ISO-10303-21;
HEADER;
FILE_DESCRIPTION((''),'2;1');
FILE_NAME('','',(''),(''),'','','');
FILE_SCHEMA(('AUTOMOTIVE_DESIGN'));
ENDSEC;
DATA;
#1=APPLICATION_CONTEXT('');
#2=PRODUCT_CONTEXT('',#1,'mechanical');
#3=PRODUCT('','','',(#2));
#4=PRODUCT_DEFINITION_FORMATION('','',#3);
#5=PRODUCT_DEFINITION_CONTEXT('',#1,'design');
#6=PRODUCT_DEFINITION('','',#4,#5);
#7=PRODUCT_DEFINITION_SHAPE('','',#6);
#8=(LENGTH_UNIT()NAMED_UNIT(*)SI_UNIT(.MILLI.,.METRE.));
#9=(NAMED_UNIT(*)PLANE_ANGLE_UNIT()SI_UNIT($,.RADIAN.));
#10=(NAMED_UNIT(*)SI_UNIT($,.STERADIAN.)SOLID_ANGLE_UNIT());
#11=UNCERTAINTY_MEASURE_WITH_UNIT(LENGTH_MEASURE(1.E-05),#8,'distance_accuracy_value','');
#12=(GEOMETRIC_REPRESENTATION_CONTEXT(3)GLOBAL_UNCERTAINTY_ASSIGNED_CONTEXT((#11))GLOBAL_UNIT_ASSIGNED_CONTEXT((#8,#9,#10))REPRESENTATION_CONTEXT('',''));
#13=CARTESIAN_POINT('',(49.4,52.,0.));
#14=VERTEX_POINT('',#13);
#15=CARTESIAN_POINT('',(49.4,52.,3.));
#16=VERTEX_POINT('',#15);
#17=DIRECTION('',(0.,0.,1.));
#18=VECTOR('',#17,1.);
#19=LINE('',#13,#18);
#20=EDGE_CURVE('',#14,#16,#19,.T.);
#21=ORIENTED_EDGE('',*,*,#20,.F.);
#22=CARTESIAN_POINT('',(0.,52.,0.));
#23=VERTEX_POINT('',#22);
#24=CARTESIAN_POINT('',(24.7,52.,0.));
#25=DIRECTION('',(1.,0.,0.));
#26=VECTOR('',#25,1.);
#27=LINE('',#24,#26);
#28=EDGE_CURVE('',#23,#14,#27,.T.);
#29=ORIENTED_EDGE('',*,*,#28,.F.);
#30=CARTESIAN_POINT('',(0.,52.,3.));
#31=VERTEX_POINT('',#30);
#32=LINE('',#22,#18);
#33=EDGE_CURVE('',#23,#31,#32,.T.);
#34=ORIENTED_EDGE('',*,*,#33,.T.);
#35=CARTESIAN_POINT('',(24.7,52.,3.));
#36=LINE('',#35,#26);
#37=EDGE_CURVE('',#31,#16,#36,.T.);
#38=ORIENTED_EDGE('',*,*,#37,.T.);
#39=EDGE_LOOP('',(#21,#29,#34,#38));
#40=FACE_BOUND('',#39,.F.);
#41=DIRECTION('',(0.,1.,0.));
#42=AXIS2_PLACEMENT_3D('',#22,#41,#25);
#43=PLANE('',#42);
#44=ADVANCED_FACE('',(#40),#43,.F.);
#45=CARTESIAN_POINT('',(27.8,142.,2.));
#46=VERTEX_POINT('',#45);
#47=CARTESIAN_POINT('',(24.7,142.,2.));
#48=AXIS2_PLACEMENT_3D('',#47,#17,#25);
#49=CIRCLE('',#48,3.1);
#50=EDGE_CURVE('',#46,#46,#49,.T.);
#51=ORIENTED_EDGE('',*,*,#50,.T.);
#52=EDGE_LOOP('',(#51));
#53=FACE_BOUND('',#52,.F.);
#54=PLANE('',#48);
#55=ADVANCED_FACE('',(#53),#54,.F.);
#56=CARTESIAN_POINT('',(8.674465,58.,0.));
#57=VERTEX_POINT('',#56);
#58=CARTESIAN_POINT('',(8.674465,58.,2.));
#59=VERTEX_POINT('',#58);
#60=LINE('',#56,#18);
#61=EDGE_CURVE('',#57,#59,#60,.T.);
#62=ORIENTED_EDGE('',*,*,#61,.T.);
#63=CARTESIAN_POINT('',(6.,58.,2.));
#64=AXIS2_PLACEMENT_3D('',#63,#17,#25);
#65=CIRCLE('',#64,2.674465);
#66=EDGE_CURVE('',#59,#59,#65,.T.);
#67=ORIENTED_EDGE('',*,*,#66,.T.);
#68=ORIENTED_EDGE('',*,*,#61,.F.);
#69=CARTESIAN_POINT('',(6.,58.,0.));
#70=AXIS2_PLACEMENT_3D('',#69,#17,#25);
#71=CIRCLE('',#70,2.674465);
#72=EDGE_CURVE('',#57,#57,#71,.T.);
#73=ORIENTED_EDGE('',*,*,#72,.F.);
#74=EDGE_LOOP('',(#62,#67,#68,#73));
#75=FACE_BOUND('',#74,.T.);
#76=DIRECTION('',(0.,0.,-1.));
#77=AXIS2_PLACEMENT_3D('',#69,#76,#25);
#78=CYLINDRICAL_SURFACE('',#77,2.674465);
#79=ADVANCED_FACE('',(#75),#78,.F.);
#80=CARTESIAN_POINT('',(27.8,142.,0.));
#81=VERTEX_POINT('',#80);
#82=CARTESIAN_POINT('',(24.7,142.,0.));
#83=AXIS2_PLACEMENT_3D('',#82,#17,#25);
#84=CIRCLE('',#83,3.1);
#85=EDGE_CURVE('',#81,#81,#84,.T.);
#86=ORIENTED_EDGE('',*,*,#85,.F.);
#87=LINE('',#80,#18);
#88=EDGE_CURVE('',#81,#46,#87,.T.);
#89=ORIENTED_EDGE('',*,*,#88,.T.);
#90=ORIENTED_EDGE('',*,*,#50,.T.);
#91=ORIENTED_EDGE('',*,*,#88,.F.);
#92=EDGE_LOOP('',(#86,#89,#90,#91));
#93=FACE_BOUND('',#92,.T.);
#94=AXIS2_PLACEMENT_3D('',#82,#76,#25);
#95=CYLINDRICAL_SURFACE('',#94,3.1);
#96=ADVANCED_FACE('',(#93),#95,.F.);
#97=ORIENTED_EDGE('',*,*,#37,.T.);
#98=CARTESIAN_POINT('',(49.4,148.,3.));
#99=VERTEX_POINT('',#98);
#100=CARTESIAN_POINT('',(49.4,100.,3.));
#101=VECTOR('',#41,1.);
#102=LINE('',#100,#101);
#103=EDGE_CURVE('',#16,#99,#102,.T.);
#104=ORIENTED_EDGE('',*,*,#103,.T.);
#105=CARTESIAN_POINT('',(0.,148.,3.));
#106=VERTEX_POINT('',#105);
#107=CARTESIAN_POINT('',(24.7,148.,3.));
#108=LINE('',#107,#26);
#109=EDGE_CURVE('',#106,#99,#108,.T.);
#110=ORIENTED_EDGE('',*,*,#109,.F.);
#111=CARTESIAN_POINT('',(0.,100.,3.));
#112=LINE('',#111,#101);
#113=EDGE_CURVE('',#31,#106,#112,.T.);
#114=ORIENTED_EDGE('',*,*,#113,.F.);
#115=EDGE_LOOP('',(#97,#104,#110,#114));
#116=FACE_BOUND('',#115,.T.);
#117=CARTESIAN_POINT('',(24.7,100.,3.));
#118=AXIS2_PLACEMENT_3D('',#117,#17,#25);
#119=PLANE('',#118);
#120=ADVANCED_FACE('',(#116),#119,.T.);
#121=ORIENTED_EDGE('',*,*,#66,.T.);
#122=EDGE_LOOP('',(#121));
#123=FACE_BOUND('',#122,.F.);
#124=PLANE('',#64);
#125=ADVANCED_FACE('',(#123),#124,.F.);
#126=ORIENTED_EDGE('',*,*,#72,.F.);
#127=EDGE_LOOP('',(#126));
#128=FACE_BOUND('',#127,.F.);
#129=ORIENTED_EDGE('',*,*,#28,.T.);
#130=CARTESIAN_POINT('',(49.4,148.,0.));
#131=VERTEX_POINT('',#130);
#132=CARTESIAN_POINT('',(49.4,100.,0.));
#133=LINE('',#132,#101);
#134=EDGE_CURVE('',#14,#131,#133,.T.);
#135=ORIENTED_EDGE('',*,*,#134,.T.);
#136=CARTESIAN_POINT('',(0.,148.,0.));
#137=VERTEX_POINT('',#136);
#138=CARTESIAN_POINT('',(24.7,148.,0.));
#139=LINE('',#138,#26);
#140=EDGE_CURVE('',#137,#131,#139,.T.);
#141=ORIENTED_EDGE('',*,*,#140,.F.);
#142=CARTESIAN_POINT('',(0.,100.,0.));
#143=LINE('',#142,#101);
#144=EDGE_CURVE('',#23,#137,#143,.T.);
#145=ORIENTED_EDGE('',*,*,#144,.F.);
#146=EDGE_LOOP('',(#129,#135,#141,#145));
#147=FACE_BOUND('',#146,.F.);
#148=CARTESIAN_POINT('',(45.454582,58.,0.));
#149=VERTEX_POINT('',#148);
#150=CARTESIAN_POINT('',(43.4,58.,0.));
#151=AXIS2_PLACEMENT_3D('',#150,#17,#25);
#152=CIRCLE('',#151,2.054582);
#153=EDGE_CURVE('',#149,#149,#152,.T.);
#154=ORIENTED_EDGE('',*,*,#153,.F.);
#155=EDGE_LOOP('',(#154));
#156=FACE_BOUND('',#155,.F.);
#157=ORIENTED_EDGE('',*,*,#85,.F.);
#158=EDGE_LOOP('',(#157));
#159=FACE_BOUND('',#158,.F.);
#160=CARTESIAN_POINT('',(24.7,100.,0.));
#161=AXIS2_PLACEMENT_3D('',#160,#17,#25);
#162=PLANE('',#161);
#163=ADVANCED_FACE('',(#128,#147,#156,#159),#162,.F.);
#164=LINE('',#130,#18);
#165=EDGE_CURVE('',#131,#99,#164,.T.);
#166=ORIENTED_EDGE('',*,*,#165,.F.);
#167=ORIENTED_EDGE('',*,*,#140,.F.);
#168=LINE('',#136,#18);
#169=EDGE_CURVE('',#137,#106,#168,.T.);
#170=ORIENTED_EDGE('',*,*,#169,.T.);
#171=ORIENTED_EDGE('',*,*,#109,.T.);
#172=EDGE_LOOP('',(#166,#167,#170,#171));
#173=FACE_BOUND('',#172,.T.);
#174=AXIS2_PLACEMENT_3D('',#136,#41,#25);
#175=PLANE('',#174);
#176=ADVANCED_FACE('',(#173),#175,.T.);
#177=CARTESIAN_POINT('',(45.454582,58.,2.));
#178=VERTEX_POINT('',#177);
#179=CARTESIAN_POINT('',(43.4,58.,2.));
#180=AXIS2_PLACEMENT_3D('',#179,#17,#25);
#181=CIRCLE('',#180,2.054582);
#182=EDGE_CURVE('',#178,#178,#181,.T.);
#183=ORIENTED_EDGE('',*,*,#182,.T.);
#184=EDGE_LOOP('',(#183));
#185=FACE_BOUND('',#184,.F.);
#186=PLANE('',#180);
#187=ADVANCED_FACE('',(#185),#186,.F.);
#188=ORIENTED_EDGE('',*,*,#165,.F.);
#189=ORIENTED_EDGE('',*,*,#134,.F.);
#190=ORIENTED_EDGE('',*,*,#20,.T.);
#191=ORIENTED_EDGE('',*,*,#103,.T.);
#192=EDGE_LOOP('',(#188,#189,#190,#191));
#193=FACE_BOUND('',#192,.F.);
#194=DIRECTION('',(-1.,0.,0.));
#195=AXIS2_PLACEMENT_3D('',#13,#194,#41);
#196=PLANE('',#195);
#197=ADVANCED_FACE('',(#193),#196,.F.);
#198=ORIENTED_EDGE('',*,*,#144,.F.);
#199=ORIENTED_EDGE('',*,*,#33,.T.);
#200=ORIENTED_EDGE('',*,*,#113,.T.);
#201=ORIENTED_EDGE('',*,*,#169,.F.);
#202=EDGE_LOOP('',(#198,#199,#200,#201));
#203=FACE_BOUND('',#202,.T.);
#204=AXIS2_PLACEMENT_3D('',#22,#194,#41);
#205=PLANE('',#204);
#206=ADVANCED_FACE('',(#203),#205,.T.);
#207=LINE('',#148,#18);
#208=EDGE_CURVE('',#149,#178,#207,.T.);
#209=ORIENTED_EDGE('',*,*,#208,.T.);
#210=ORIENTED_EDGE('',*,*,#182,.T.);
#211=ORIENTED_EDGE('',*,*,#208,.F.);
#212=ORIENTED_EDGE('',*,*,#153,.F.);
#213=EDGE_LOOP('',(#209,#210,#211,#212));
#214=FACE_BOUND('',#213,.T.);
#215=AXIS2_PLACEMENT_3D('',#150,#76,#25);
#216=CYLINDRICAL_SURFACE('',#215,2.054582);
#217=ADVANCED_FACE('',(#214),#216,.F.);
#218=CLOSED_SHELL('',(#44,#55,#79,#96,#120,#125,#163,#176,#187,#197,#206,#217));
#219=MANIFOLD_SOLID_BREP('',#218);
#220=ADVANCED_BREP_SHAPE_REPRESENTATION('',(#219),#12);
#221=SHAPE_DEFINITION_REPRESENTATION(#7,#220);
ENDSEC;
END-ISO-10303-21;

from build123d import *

# Parameters (mm, degrees)
SKETCH_W      = 49.4
SKETCH_H      = 96
PAD_DEPTH     = 3
SKETCH001_R   = 3.1
SKETCH001_R_2 = 2.674465
SKETCH001_R_3 = 2.054582
POCKET_DEPTH  = 2


with BuildPart() as part:
    # Sketch → Pad (new body)
    with BuildSketch(Plane.XY):
        with Locations((24.7, 100)):
            Rectangle(SKETCH_W, SKETCH_H)
    extrude(amount=PAD_DEPTH)

    # Sketch001 → Pocket (cut)
    with BuildSketch(Plane.XY):
        with Locations((24.7, 142)):
            Circle(SKETCH001_R)
        with Locations((6, 58)):
            Circle(SKETCH001_R_2)
        with Locations((43.4, 58)):
            Circle(SKETCH001_R_3)
    extrude(amount=POCKET_DEPTH, mode=Mode.SUBTRACT)


solid = part.part
